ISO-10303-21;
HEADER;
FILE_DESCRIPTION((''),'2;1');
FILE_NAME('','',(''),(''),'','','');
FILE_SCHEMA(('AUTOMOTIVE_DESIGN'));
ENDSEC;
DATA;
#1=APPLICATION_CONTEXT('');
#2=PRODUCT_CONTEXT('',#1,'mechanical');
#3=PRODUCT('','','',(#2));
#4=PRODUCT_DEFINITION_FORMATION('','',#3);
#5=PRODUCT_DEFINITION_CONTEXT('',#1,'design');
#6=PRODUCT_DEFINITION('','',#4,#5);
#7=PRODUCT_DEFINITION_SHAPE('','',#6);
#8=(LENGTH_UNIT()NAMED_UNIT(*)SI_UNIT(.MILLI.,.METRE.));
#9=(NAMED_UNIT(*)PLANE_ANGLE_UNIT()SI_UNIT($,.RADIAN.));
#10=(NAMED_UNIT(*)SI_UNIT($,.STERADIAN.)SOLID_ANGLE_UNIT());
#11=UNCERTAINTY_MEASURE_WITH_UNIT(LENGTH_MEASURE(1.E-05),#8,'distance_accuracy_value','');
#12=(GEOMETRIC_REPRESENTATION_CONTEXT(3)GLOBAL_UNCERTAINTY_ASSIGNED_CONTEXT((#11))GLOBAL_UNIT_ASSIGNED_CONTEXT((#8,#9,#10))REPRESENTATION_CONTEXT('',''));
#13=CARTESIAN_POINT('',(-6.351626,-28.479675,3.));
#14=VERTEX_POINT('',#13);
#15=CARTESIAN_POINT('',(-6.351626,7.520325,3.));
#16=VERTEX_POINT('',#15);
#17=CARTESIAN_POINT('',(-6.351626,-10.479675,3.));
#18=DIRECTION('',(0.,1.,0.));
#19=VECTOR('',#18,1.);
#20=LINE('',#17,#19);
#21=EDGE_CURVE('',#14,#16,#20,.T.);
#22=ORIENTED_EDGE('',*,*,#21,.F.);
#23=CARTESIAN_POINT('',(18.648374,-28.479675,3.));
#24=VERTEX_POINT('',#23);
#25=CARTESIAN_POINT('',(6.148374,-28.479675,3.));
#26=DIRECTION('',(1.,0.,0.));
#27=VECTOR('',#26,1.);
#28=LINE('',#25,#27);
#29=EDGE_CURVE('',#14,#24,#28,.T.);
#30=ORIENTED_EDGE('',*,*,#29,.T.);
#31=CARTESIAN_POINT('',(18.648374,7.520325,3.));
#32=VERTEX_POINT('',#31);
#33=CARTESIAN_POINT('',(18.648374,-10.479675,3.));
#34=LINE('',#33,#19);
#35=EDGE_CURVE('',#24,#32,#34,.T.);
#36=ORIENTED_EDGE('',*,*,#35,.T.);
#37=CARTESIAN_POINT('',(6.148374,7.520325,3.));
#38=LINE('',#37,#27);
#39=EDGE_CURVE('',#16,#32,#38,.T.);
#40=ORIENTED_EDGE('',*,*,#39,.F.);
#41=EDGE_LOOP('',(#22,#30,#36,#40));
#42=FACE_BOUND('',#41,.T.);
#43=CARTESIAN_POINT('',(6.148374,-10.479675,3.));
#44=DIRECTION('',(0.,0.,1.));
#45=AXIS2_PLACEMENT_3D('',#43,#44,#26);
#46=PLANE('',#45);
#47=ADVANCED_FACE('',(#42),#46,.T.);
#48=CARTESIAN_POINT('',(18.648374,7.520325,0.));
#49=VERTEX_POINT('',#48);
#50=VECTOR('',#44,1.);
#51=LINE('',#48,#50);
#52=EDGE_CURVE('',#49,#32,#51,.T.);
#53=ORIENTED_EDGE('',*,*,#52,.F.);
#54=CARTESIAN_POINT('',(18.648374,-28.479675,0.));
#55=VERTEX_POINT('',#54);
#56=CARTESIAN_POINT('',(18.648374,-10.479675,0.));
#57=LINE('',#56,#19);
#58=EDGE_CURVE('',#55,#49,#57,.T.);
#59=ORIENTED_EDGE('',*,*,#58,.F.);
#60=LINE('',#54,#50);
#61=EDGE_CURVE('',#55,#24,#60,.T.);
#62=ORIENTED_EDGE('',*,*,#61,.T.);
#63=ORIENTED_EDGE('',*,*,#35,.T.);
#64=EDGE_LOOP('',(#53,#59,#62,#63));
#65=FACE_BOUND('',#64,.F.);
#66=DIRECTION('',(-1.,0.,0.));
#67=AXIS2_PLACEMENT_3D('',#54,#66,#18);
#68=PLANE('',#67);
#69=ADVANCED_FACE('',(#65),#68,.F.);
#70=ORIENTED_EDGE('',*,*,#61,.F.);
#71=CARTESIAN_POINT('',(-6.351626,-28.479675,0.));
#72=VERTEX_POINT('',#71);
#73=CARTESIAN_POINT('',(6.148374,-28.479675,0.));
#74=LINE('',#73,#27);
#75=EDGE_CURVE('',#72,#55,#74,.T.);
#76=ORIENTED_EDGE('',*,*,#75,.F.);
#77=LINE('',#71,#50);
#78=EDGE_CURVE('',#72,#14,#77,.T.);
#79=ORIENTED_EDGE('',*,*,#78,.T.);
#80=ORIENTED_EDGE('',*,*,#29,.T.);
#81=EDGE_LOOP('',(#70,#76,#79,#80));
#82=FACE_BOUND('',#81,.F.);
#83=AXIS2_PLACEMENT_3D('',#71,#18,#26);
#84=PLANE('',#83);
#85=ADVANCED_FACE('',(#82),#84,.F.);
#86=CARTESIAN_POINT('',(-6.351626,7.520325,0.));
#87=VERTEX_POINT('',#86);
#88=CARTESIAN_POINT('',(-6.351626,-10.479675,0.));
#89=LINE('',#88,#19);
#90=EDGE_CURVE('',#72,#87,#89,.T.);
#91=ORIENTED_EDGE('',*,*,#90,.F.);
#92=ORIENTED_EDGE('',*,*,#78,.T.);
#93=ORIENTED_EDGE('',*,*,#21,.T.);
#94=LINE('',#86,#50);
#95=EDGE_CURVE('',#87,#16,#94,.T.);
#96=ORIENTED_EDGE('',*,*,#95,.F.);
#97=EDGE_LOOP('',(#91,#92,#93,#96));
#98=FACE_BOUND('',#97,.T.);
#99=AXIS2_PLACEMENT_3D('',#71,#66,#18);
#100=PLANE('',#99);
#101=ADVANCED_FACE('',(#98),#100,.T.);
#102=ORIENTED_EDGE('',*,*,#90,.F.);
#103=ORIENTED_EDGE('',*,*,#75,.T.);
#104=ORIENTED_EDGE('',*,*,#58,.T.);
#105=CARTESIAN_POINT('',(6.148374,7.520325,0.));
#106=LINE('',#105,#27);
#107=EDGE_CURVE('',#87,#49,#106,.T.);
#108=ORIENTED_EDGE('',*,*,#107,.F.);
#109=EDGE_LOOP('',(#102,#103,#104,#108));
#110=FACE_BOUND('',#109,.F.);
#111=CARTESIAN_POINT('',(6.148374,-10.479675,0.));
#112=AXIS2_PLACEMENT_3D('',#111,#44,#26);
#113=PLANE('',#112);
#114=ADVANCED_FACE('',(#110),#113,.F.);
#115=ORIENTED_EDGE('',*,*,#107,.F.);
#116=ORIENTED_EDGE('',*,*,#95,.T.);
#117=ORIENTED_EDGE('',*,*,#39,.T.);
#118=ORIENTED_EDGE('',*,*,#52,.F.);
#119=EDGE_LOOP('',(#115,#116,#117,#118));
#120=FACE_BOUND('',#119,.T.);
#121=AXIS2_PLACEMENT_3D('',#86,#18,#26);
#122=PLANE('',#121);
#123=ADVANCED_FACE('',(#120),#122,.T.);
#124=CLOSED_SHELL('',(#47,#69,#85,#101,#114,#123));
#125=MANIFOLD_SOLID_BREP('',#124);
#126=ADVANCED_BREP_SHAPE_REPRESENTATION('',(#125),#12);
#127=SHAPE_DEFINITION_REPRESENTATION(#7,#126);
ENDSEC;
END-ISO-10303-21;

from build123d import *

# Parameters (mm, degrees)
SKETCH_1_W      = 25
SKETCH_1_H      = 36
EXTRUDE_1_DEPTH = 3


with BuildPart() as part:
    # 草图1 → 凸台-拉伸1 (new body)
    with BuildSketch(Plane.XY):
        with Locations((6.148373984, -10.479674797)):
            Rectangle(SKETCH_1_W, SKETCH_1_H)
    extrude(amount=EXTRUDE_1_DEPTH)


solid = part.part
